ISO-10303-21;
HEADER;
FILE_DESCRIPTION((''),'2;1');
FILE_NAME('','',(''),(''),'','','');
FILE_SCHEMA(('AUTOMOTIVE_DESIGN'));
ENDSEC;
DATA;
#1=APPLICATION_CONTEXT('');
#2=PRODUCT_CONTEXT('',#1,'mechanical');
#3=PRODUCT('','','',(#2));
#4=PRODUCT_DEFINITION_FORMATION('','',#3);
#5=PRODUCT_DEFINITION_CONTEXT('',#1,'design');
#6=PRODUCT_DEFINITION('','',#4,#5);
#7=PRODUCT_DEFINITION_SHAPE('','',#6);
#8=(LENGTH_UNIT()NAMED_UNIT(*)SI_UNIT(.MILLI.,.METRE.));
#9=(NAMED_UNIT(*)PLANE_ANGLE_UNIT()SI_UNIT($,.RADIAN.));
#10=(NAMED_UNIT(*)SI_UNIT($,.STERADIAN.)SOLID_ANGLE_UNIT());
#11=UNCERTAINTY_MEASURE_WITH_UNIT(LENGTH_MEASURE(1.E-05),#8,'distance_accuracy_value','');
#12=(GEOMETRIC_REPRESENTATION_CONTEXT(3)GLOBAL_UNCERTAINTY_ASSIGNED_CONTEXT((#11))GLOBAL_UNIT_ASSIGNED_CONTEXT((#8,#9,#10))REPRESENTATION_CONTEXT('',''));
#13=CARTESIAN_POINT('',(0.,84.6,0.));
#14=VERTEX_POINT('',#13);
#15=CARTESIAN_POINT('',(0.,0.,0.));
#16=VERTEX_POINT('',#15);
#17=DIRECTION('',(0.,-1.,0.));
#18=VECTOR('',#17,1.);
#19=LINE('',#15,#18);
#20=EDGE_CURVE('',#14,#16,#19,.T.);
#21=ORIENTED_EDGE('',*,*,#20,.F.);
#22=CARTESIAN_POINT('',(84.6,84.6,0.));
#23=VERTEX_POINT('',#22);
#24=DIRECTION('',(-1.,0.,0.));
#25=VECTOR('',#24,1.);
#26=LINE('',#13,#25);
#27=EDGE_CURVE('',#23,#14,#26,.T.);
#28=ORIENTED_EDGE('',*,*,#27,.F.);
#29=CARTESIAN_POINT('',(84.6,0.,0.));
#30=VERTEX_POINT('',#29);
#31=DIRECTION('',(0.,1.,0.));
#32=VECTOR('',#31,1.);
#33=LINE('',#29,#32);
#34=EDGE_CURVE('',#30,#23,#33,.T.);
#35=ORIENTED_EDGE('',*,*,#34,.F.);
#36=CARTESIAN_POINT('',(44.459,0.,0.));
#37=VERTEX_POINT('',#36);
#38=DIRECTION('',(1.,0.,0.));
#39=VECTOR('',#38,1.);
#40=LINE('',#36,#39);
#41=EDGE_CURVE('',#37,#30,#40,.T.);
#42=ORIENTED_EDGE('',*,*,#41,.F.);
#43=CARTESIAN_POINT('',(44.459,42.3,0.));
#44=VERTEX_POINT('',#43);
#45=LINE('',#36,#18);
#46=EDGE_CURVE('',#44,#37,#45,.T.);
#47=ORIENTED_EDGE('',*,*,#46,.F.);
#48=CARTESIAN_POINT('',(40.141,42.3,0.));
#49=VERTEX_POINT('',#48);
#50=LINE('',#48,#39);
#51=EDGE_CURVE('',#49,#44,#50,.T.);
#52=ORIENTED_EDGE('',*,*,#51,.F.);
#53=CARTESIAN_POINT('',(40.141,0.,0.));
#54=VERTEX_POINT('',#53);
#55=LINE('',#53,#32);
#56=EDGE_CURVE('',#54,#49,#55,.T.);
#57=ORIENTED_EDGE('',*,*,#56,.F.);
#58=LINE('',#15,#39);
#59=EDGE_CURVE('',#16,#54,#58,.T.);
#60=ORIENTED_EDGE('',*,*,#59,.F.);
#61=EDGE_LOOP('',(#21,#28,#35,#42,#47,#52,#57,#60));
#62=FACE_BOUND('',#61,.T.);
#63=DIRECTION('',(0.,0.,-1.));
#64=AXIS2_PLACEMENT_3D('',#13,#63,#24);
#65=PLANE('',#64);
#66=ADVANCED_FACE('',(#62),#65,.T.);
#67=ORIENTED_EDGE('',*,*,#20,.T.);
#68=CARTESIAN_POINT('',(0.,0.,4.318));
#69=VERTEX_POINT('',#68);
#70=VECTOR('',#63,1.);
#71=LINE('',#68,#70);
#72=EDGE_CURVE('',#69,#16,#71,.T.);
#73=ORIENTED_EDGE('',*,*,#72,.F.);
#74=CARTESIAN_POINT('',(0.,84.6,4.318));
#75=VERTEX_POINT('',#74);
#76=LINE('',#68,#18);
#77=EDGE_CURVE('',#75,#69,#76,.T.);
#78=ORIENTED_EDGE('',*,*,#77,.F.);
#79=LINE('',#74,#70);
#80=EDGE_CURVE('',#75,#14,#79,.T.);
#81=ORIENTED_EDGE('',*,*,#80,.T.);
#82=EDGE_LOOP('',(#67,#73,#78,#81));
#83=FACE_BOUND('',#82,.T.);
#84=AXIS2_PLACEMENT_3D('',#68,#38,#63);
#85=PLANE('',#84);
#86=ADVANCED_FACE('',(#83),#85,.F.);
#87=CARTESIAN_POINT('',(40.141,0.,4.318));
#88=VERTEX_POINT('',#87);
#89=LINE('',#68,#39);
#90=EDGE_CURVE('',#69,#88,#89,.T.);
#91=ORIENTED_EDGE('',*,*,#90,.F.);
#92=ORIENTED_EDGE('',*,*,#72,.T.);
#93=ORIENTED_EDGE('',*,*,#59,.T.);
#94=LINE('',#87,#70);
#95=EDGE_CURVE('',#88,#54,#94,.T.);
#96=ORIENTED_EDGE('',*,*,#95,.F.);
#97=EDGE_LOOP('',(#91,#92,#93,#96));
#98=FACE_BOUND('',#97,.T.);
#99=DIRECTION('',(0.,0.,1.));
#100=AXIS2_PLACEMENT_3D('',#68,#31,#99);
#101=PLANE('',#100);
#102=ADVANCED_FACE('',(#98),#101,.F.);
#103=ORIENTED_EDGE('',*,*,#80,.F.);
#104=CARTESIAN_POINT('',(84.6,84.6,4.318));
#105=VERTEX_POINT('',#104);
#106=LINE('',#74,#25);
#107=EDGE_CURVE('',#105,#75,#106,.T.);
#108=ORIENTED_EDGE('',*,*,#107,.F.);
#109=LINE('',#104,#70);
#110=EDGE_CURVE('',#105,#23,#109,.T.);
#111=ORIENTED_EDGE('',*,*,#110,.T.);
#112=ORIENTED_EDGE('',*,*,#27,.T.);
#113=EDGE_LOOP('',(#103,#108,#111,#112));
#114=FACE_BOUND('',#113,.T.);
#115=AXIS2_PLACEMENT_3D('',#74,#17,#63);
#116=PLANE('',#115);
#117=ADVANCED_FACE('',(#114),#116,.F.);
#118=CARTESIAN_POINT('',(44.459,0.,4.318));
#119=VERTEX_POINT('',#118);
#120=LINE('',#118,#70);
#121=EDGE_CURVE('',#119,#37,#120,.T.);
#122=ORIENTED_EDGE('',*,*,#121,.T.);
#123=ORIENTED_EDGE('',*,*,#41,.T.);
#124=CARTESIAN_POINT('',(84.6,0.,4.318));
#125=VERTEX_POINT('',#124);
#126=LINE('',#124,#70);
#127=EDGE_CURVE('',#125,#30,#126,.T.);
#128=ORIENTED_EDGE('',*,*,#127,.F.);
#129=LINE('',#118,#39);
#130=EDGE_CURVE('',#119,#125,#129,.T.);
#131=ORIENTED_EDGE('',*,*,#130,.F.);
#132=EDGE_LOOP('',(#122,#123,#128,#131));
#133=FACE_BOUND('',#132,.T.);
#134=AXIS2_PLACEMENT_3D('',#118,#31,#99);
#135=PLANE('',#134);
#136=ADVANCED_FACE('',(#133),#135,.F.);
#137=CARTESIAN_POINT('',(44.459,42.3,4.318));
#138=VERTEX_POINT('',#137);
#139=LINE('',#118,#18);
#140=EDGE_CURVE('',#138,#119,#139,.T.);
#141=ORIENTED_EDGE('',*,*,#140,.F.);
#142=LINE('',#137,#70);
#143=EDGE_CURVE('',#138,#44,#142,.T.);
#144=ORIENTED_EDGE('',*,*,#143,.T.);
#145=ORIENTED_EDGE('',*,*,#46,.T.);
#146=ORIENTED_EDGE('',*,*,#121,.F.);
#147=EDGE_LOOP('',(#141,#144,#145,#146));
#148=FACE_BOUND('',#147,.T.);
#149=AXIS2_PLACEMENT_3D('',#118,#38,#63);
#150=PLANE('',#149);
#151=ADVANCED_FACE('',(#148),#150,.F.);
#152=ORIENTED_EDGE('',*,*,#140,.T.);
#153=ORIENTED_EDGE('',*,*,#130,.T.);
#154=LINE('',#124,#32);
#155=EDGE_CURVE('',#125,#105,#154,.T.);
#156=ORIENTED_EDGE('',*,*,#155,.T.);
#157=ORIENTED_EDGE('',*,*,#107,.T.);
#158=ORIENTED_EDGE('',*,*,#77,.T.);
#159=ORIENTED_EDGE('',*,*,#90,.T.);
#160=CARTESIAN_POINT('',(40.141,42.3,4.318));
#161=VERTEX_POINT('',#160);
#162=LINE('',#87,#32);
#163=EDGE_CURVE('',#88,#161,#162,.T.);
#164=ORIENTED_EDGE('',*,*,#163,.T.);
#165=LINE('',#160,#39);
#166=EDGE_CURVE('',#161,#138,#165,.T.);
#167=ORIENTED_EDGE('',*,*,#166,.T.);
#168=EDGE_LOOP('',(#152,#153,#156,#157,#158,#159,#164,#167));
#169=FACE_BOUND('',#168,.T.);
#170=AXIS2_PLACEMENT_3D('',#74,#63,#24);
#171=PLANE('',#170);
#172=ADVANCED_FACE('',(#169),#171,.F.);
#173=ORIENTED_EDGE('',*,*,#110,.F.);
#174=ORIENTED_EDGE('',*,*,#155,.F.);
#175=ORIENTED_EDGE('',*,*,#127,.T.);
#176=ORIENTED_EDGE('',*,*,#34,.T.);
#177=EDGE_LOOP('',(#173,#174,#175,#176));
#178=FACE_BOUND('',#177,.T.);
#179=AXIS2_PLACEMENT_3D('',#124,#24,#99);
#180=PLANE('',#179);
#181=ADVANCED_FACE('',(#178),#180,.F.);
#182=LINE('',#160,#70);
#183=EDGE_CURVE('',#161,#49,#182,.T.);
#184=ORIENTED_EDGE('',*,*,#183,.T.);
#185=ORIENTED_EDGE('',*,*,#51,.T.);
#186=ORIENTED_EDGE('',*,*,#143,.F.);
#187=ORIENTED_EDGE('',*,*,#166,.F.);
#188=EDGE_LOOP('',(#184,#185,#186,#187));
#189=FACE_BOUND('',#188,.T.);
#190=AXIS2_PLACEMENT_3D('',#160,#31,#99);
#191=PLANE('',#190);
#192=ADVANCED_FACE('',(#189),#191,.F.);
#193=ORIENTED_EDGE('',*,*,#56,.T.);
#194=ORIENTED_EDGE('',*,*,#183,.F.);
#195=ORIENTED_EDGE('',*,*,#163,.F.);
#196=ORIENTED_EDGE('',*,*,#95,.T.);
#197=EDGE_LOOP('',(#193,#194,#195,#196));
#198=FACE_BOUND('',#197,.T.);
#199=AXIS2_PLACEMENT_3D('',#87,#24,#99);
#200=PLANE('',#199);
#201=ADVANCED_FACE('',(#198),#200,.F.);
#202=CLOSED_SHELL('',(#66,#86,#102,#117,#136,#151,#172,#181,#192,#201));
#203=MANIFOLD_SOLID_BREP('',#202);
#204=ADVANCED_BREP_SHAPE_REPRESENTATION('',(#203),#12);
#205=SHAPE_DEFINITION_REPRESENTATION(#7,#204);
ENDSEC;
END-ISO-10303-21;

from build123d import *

# Parameters (mm, degrees)
BOSS_EXTRUDE1_DEPTH = 4.318


with BuildPart() as part:
    # Sketch1 → Boss-Extrude1 (new body)
    with BuildSketch(Plane.XY):
        Polygon((0, 0), (40.141, 0), (40.141, 42.3), (44.459, 42.3), (44.459, 0), (84.6, 0), (84.6, 84.6), (0, 84.6), align=None)
    extrude(amount=BOSS_EXTRUDE1_DEPTH)


solid = part.part
